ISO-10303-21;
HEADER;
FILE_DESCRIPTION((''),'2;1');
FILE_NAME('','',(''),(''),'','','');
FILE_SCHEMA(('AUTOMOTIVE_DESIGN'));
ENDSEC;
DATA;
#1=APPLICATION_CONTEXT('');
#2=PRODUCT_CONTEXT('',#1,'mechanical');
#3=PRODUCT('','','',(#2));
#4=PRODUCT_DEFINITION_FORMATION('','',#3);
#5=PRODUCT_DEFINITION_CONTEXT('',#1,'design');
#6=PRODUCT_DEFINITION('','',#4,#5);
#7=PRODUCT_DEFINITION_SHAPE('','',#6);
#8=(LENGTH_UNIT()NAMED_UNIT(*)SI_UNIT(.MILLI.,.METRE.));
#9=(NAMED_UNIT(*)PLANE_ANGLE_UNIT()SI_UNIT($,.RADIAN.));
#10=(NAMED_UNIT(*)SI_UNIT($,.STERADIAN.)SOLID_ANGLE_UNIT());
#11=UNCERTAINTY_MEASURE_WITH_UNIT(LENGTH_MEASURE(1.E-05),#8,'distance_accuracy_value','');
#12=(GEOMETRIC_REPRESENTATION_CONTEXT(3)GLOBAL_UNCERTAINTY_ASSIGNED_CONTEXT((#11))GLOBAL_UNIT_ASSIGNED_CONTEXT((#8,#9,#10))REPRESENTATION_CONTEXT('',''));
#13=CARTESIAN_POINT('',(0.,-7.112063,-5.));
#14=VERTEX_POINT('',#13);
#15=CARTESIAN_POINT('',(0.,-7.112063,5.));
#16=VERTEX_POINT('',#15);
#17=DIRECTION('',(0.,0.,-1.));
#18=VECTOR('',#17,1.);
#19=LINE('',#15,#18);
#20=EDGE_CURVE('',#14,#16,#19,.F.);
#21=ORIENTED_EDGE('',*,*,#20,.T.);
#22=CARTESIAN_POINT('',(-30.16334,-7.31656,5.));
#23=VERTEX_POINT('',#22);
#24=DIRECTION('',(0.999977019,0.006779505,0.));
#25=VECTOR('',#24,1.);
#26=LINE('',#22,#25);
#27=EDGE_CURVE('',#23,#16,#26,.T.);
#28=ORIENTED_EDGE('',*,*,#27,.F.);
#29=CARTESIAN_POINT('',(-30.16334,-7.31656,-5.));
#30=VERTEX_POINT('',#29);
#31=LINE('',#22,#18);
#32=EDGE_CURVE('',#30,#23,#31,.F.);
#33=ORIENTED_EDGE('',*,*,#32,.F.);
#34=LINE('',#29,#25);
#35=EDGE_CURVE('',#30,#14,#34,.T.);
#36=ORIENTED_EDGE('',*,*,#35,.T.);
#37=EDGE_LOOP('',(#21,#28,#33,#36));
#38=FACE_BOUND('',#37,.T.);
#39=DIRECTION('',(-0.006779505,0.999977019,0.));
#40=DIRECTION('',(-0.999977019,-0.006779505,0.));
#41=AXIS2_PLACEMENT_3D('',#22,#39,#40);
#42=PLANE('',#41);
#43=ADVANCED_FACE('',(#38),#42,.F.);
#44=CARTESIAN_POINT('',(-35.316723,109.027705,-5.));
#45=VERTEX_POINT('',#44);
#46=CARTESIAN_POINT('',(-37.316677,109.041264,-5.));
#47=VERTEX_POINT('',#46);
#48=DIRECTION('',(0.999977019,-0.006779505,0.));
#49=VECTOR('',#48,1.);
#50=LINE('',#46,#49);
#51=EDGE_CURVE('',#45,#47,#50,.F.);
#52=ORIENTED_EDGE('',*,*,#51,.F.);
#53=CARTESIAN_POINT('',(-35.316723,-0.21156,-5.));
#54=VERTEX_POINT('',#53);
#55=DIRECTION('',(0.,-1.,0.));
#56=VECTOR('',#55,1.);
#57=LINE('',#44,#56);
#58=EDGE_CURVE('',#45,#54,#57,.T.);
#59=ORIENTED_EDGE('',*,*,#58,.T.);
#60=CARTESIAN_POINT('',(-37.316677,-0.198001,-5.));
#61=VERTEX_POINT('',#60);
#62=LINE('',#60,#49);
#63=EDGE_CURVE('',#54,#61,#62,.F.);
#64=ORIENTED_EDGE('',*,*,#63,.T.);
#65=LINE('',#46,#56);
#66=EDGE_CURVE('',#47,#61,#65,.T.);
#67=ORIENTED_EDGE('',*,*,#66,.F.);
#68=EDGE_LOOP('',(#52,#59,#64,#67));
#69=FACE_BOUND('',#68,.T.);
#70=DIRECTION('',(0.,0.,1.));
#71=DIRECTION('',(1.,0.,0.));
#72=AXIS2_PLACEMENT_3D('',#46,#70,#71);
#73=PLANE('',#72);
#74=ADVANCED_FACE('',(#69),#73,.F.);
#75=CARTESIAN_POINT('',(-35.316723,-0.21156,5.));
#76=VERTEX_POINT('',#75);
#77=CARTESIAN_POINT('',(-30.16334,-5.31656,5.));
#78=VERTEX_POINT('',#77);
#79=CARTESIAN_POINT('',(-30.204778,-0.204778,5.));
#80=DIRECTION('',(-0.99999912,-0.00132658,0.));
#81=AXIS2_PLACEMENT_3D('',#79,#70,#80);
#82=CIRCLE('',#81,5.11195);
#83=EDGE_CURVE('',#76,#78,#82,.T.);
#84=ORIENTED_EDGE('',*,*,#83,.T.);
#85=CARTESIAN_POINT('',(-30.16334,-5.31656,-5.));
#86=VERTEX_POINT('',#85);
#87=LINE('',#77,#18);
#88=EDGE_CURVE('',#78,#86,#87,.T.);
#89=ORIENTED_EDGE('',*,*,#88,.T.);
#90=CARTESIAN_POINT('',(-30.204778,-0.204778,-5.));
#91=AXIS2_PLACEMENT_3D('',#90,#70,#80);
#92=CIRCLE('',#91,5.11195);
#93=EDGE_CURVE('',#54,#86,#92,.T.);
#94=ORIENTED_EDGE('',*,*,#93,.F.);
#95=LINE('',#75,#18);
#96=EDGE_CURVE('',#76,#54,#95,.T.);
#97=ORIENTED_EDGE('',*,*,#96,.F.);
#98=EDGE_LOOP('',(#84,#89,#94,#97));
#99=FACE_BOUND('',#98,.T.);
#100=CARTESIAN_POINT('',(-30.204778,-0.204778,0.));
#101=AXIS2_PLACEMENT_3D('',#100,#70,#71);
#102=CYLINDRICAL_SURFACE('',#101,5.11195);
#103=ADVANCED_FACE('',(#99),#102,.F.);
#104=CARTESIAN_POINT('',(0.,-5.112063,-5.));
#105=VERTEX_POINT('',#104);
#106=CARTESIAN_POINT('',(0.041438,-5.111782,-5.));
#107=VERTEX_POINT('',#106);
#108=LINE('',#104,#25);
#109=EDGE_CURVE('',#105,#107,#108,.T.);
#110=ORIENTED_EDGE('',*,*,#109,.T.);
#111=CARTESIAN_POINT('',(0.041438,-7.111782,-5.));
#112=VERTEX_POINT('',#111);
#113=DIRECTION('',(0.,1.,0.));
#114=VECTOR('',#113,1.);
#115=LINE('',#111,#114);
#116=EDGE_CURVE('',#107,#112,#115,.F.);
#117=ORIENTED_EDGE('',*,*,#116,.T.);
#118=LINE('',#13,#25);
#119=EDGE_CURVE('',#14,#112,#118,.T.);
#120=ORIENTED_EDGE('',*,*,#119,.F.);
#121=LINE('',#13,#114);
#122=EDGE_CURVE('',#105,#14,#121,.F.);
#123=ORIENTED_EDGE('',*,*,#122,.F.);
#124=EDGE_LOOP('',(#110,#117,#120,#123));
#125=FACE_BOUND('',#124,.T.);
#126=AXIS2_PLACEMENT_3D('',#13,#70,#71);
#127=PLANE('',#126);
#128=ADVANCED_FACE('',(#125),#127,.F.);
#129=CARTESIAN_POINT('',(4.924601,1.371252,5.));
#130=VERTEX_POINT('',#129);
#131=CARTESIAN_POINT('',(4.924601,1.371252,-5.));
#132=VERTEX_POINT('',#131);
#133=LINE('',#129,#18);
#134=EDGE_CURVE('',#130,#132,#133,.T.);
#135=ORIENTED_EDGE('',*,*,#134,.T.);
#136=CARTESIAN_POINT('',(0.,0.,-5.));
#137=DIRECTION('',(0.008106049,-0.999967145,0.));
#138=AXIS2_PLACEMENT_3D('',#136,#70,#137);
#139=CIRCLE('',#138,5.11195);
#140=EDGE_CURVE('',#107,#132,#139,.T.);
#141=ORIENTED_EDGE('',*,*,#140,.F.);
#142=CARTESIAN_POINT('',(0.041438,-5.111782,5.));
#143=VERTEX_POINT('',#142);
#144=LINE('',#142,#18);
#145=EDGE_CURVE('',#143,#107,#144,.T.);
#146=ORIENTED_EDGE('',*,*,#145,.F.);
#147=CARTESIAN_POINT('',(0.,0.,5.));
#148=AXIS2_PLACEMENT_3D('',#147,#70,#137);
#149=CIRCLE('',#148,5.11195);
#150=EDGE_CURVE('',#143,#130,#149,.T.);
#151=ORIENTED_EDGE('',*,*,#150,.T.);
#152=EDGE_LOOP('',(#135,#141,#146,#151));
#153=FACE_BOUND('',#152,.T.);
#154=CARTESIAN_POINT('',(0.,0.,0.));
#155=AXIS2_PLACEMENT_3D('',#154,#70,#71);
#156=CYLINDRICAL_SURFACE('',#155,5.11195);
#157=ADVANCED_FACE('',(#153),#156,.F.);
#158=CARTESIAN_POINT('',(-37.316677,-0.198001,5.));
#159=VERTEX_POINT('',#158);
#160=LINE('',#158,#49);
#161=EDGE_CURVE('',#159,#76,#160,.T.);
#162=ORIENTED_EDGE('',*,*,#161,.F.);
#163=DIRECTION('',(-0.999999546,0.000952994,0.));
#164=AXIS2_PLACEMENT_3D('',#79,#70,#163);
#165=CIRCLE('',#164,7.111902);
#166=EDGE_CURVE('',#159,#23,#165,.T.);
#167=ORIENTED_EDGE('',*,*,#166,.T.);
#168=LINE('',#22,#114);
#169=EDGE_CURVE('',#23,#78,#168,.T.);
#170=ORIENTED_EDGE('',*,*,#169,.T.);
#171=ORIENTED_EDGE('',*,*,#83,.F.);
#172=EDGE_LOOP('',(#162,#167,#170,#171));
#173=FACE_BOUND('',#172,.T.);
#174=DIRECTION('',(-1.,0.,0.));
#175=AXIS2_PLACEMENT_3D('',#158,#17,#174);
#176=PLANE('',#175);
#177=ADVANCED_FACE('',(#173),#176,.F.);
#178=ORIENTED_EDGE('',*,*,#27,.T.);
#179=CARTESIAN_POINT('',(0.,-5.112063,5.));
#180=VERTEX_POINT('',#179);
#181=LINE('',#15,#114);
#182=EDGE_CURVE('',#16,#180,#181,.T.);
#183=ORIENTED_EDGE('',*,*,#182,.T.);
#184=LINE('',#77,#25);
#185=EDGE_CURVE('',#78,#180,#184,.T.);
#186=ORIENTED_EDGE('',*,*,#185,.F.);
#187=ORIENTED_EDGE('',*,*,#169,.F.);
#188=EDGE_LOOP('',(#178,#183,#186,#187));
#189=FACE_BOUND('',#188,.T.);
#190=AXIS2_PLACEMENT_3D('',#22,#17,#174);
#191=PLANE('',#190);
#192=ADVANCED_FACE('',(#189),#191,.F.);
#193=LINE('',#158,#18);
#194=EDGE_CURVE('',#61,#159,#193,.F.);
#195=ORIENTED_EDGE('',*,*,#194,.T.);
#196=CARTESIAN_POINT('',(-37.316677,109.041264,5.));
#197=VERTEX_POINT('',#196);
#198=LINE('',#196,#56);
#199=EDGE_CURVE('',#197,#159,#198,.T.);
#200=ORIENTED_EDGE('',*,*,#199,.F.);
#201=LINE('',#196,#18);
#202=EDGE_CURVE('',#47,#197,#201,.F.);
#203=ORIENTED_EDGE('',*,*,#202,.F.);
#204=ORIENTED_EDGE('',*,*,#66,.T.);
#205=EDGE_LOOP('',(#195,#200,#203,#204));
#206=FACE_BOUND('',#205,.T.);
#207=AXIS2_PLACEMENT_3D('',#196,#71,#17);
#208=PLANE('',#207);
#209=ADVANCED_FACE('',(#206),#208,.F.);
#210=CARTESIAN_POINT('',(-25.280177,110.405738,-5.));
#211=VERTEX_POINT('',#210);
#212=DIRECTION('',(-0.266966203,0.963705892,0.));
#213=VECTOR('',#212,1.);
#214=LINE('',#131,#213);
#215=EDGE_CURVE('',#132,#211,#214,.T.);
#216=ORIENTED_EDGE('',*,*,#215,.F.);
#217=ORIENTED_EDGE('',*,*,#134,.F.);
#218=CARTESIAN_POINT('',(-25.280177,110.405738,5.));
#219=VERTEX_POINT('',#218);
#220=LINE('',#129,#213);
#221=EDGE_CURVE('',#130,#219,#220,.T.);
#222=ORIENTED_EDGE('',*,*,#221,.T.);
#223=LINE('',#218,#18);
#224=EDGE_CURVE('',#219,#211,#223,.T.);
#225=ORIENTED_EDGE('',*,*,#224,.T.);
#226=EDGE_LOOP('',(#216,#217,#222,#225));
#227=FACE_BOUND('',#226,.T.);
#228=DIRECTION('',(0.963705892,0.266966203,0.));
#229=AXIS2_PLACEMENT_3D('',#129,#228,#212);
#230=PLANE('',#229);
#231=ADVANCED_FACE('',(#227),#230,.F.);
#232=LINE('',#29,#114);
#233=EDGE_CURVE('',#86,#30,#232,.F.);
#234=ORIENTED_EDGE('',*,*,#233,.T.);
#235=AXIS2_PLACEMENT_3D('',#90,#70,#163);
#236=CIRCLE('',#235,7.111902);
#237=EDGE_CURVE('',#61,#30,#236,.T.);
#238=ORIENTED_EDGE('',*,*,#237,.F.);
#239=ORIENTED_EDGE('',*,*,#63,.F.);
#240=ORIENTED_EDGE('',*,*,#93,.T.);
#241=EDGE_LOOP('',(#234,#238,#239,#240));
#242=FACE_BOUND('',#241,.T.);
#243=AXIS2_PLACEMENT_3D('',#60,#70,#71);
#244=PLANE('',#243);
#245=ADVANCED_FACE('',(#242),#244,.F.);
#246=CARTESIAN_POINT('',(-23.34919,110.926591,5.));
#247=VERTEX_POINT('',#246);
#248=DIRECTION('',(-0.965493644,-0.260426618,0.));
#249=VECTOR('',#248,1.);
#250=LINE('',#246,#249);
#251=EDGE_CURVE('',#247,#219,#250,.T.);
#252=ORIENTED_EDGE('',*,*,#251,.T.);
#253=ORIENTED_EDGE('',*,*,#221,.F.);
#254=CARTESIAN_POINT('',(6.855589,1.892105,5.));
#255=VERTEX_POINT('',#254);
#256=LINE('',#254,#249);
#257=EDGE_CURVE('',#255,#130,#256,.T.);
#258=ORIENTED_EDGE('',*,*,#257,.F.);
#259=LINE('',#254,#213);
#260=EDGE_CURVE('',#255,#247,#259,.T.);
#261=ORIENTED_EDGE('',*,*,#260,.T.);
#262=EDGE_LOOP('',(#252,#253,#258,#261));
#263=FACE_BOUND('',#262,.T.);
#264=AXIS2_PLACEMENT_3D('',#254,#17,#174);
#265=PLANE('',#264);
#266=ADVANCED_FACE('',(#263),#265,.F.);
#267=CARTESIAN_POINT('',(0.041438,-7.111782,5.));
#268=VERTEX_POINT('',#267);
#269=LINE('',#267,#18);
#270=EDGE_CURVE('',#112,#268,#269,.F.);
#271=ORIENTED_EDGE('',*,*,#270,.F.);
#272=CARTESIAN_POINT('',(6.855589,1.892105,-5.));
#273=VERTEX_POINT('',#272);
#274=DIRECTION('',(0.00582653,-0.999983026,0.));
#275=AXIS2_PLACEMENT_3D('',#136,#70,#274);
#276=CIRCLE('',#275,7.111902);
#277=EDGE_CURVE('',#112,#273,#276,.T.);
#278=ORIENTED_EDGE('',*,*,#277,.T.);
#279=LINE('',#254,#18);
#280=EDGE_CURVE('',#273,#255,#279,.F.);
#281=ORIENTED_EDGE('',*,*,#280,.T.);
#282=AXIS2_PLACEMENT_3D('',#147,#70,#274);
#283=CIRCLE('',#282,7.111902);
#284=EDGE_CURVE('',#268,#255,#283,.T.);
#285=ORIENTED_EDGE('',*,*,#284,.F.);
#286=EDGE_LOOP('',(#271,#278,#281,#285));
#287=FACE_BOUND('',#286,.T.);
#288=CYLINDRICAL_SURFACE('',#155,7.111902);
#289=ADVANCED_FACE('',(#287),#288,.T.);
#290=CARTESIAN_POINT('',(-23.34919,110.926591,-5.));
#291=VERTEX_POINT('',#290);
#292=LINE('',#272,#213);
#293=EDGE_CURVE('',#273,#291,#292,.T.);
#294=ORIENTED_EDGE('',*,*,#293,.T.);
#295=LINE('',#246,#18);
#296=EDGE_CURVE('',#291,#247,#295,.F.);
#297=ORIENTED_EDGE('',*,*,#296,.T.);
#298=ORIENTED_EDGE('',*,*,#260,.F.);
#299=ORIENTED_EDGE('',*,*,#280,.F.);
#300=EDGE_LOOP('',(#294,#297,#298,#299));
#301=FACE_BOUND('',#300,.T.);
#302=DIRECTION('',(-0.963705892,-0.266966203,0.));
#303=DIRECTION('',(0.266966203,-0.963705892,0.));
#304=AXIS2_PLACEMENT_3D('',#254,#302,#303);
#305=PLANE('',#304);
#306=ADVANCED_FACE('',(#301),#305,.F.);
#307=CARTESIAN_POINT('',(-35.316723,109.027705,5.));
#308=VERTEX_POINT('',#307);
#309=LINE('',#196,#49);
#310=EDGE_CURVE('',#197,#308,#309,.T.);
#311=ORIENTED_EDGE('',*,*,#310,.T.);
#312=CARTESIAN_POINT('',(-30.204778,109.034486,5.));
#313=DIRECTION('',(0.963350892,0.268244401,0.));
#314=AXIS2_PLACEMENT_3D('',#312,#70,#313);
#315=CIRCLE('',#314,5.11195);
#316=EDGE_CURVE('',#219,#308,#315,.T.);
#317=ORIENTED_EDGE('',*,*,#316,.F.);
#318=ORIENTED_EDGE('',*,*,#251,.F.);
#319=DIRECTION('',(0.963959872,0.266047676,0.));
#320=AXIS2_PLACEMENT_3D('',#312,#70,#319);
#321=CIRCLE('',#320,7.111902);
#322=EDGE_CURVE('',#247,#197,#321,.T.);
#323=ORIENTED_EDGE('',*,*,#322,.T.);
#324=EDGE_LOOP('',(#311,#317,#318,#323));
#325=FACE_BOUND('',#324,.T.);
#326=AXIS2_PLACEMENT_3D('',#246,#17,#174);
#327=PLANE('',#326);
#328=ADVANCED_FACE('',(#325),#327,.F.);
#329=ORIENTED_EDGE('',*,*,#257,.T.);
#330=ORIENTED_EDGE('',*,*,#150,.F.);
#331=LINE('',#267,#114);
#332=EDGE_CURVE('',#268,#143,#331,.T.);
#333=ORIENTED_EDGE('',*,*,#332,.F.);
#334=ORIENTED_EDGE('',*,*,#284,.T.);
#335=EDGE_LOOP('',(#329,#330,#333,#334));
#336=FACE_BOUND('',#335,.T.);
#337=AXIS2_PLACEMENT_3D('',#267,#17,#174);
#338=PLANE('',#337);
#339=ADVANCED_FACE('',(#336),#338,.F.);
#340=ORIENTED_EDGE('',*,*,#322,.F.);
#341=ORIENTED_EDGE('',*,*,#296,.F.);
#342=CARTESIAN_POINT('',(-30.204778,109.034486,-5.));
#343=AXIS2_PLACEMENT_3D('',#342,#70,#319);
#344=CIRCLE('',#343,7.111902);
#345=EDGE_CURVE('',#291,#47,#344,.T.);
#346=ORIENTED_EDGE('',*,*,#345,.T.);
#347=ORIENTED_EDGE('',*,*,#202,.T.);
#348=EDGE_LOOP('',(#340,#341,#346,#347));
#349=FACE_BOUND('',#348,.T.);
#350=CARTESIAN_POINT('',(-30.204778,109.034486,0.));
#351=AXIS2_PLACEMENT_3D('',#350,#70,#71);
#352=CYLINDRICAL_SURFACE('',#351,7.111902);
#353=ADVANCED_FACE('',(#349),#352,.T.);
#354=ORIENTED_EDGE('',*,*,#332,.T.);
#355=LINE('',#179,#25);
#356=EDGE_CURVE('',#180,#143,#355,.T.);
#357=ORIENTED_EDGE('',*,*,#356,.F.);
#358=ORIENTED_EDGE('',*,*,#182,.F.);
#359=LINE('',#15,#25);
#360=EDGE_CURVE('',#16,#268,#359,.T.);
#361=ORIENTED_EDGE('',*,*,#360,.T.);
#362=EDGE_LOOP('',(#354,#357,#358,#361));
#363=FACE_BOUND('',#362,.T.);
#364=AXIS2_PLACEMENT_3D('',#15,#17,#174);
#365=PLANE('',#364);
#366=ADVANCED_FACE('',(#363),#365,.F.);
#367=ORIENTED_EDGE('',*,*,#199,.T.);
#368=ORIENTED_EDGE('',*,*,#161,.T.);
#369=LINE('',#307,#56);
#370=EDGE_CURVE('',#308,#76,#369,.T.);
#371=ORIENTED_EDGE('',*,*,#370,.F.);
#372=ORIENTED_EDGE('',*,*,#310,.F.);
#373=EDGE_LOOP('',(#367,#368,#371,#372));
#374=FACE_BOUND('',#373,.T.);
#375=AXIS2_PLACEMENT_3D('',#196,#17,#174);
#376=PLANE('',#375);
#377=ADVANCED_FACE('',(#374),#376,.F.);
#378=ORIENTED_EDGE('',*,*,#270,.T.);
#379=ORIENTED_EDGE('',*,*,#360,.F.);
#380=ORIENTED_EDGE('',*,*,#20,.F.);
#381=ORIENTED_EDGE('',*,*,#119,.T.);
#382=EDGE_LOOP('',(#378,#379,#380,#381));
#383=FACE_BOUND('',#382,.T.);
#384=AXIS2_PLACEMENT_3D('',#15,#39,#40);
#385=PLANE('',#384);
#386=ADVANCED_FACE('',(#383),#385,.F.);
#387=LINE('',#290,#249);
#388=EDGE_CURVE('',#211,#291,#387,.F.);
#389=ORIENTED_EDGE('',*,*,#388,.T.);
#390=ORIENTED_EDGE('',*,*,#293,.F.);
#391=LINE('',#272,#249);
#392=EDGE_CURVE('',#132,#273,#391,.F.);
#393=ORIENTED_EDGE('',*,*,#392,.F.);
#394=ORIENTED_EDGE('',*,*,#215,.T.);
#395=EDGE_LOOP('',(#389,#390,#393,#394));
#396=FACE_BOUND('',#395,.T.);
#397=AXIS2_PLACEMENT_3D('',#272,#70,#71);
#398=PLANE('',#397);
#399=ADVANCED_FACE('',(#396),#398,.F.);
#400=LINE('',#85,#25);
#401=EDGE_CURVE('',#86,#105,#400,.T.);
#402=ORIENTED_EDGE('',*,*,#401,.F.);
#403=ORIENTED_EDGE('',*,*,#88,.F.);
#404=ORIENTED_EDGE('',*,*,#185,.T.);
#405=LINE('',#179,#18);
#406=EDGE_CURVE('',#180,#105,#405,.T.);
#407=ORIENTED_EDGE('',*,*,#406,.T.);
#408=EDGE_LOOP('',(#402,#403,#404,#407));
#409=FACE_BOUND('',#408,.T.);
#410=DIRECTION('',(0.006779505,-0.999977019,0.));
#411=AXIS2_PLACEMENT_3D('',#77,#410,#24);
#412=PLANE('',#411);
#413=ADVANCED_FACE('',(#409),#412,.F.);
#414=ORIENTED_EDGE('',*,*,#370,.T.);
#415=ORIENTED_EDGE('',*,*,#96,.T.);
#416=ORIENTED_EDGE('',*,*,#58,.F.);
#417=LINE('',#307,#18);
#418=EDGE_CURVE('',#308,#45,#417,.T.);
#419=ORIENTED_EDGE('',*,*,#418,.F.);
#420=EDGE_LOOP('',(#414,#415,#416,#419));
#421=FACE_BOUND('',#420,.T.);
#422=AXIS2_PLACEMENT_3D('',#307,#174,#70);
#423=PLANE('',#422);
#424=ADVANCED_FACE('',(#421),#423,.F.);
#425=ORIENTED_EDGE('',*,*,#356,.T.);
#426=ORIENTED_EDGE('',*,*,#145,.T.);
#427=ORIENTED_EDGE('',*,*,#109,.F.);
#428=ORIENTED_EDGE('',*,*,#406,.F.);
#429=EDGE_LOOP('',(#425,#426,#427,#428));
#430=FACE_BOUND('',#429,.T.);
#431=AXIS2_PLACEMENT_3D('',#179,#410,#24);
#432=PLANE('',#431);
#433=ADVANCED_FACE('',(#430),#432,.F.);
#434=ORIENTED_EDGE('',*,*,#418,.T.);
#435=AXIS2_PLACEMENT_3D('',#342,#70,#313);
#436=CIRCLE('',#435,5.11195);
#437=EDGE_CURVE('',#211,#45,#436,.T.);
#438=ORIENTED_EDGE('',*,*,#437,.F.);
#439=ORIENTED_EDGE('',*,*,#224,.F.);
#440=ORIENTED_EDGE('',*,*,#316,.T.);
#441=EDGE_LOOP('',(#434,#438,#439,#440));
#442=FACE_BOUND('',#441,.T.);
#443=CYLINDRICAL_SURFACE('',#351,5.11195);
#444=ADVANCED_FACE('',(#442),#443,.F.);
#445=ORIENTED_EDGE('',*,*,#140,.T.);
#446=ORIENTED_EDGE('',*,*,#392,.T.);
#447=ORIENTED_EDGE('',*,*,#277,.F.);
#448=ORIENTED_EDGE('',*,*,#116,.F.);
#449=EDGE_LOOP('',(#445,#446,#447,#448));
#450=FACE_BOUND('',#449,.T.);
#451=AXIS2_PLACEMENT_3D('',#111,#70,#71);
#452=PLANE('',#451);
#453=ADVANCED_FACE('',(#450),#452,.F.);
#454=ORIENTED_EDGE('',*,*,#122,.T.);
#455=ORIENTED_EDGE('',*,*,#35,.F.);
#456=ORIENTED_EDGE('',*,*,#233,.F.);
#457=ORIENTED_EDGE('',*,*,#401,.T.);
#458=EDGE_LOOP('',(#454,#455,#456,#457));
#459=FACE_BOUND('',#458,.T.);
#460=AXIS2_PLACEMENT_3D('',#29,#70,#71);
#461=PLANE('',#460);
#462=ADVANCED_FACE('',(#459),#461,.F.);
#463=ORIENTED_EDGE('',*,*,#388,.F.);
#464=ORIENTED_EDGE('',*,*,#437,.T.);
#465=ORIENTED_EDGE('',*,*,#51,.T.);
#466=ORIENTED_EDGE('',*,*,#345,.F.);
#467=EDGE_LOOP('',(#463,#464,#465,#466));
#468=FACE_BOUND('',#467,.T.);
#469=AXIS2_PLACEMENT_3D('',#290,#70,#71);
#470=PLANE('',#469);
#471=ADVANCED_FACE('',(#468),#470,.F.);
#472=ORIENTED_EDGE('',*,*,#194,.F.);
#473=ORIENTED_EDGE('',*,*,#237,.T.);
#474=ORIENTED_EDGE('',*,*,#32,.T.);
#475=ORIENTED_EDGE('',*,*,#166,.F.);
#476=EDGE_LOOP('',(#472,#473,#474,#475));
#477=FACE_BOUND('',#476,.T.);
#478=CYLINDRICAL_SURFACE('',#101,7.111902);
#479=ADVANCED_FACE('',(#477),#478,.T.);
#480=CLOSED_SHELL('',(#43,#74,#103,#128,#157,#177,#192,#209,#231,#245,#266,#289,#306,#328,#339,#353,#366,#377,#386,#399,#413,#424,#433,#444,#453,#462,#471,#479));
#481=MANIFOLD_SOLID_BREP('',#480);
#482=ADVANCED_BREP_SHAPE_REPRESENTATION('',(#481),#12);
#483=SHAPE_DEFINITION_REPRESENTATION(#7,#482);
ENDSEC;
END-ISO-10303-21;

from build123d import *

# Parameters (mm, degrees)
SKETCH3_W = 10
SKETCH3_H = 2


with BuildPart() as part:
    # Sweep1: sweep along a path in Sketch2
    with BuildLine(Plane.XY) as sweep1_path:
        Line((0.041437713, -6.112062636), (-30.163340444, -6.316840793))
        ThreePointArc((-30.163340444, -6.316840793), (-34.512083059, -4.541384115), (-36.316981258, -0.204778157))
        Line((-36.316981258, -0.204778157), (-36.316981258, 109.034485953))
        ThreePointArc((-36.316981258, 109.034485953), (-31.028159158, 115.0909759), (-24.314412014, 110.666237605))
        Line((-24.314412014, 110.666237605), (5.890366142, 1.631751652))
        ThreePointArc((5.890366142, 1.631751652), (4.877318851, -3.683854988), (0.041437713, -6.112062636))
    # Sketch3 → Sweep1 (sweep)
    with BuildSketch(Plane(origin=(0, 0, 0), x_dir=(0, 0, -1), z_dir=(1, 0, 0))):
        with Locations((0, -6.112062636)):
            Rectangle(SKETCH3_W, SKETCH3_H)
    sweep(path=sweep1_path.line)


solid = part.part
